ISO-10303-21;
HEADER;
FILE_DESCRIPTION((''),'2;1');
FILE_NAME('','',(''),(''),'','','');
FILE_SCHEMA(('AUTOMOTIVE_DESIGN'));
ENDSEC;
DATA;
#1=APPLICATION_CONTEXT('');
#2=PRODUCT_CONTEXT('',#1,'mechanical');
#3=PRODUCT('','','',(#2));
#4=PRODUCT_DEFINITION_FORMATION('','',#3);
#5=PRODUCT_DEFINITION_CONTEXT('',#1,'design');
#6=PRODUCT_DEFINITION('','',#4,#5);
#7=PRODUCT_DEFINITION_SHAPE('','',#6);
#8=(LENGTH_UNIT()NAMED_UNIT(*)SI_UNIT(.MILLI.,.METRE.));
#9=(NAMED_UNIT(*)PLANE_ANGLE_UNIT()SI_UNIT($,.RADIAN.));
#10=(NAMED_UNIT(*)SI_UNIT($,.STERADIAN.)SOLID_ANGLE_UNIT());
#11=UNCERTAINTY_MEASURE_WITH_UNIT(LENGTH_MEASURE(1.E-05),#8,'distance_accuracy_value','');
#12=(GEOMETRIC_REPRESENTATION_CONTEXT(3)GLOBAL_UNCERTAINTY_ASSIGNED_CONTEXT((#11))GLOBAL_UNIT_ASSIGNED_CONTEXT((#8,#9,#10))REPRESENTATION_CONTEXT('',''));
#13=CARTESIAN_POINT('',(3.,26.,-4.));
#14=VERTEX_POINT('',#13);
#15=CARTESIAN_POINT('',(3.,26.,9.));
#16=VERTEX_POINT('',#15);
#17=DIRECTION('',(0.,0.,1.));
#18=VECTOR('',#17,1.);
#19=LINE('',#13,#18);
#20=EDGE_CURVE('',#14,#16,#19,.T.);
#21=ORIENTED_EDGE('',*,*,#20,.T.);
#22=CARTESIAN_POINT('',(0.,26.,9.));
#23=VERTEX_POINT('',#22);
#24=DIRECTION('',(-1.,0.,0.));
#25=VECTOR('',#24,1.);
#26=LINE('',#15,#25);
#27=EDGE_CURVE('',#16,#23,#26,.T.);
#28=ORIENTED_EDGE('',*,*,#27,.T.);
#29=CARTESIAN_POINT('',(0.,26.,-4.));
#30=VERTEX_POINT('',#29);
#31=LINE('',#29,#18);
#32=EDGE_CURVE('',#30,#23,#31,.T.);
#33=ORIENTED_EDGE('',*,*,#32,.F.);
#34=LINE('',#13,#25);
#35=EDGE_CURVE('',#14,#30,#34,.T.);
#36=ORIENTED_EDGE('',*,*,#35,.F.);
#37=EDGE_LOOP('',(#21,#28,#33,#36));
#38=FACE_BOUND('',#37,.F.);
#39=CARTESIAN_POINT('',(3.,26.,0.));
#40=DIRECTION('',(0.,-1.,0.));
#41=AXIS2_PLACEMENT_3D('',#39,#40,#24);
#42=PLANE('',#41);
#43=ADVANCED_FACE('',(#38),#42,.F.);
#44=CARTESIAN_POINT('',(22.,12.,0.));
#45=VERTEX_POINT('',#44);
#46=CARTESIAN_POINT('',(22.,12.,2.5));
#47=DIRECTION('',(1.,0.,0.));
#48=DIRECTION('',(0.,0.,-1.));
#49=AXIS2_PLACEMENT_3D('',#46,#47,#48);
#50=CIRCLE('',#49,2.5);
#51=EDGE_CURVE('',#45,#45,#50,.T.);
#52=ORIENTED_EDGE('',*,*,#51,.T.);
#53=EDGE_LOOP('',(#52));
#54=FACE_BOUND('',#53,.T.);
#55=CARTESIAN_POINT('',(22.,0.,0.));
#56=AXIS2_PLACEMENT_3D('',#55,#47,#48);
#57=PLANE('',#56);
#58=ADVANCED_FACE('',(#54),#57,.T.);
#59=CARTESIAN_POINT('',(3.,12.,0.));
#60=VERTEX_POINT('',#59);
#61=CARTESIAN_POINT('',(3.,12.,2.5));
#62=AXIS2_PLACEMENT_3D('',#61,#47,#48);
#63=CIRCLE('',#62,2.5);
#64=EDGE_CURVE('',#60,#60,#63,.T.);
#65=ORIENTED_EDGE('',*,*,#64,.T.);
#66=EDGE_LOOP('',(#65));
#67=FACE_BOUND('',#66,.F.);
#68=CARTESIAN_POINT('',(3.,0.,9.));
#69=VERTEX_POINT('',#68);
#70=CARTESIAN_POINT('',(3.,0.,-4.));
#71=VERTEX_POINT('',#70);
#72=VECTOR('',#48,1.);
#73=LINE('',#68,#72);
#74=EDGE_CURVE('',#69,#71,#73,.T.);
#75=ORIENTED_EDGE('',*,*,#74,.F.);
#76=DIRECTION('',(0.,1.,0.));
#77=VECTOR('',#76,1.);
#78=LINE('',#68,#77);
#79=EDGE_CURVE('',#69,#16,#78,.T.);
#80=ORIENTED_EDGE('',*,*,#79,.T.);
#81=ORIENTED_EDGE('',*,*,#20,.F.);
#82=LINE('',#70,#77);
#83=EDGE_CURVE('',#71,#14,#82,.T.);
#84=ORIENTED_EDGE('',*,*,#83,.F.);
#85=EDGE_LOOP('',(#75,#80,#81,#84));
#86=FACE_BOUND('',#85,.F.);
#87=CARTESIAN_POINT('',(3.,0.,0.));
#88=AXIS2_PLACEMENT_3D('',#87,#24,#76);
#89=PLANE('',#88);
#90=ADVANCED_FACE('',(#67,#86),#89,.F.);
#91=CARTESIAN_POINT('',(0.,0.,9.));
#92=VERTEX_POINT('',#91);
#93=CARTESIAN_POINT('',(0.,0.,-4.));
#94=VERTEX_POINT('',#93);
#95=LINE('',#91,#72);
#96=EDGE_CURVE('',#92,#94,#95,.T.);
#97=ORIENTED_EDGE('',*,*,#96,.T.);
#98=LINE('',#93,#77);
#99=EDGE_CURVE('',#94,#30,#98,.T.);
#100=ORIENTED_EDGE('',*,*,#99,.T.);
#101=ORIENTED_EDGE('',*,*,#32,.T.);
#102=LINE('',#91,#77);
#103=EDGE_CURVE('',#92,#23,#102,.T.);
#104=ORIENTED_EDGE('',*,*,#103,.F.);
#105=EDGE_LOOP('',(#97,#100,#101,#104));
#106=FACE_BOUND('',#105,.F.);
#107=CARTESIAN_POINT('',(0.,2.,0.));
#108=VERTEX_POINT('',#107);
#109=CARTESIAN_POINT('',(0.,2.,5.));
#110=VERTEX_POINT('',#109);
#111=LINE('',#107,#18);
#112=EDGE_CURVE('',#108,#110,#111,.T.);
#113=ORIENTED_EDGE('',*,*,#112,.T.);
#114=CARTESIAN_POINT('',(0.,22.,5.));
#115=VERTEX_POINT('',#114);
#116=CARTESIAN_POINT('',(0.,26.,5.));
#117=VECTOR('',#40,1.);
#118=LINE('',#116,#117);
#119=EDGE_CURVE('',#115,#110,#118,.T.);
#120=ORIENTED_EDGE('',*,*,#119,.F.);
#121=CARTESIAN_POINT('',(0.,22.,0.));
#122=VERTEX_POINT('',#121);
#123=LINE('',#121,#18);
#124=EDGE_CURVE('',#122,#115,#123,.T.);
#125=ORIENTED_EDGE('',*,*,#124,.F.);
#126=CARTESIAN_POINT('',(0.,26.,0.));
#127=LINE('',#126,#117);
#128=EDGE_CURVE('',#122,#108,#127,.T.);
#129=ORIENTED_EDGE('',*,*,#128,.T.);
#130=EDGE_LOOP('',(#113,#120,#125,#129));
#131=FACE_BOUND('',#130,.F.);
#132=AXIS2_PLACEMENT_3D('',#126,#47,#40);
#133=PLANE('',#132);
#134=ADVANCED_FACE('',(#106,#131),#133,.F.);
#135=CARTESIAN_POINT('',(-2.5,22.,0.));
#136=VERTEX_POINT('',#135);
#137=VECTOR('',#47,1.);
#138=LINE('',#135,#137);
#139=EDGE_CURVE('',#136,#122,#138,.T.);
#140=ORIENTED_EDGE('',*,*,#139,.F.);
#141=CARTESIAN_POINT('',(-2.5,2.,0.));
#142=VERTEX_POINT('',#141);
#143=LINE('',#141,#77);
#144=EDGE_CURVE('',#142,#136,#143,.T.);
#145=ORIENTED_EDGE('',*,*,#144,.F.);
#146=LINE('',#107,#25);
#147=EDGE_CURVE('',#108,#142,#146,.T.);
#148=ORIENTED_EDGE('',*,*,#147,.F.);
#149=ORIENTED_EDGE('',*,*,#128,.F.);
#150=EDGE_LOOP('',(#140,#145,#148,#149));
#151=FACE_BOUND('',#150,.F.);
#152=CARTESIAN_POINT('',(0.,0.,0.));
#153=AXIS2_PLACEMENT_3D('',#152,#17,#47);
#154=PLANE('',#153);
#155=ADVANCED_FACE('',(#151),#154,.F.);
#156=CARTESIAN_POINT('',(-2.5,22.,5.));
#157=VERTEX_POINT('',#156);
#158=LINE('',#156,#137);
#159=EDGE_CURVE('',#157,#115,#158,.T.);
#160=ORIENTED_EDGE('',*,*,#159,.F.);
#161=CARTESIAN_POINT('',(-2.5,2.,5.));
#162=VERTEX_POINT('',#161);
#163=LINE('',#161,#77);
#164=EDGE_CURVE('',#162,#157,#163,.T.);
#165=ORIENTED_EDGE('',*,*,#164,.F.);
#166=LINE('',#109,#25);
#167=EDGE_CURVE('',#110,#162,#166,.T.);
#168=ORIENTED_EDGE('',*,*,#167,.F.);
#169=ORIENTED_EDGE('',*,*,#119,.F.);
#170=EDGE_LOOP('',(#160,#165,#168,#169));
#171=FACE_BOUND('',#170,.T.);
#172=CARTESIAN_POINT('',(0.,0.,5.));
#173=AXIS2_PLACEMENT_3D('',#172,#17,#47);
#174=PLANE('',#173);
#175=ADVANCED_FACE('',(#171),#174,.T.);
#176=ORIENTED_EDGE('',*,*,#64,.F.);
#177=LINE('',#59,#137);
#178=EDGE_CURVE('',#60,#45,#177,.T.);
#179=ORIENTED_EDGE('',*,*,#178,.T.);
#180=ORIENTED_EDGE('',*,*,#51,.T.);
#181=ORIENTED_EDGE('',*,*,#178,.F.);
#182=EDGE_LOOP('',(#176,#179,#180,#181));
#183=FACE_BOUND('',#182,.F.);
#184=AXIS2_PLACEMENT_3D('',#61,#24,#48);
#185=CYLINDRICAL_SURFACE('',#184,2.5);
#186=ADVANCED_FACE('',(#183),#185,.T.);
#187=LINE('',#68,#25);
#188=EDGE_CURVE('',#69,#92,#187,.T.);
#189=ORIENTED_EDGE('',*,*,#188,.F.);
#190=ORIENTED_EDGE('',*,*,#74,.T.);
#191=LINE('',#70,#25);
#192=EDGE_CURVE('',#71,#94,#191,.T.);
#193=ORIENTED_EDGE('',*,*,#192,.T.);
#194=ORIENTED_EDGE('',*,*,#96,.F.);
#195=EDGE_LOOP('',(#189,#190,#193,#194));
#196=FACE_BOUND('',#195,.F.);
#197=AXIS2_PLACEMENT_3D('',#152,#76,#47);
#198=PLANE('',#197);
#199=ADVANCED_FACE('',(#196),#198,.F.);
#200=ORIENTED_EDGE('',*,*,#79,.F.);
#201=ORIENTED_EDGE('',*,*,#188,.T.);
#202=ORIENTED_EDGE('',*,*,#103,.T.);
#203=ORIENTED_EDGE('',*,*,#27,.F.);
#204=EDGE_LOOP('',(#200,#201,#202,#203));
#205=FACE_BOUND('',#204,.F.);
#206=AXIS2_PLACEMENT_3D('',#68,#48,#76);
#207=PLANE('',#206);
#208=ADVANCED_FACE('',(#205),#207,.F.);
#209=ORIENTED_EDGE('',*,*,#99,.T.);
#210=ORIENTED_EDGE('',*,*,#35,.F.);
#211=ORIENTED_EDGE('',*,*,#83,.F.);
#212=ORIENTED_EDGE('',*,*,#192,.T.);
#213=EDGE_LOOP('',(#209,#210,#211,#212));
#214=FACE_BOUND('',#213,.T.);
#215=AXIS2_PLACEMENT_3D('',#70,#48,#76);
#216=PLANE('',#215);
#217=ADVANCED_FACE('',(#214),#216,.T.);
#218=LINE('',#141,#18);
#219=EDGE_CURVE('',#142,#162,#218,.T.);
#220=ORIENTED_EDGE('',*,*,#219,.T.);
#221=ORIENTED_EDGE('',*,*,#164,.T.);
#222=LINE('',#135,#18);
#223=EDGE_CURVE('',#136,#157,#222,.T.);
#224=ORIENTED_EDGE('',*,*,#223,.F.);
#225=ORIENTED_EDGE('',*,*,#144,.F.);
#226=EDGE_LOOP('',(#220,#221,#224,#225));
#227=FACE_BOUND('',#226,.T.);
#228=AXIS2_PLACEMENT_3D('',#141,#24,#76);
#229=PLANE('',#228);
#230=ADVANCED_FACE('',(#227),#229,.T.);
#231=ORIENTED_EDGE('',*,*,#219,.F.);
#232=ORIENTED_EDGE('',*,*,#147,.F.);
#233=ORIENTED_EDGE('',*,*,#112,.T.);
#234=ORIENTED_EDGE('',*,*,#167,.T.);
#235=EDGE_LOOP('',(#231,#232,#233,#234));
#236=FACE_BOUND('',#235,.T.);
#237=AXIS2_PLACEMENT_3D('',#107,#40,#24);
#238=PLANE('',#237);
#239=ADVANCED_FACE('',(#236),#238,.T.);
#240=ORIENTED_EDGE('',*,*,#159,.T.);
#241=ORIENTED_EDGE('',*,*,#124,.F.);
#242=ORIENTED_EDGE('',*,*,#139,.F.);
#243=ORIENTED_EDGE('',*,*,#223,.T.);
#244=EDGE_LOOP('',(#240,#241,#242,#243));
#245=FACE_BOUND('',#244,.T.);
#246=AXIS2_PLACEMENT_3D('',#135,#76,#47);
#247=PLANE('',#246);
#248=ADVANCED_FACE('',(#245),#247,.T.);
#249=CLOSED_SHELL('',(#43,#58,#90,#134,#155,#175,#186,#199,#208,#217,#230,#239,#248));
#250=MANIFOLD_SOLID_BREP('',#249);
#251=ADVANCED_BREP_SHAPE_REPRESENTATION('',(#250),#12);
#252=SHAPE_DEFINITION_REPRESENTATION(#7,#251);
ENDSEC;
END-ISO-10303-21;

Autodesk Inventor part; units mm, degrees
ref_plane "YZ Plane" through (0, 0, 0) normal (1, 0, 0) x (0, 1, 0)
ref_plane "XZ Plane" through (0, 0, 0) normal (0, 1, 0) x (-1, 0, 0)
ref_plane "XY Plane" through (0, 0, 0) normal (0, 0, 1) x (1, 0, 0)
sketch "Sketch1" plane through (0, 0, 0) normal (0, 0, 1) x (1, 0, 0)
  line L0 (0, 0) -> (3, 0)
  line L1 (3, 0) -> (3, 26)
  line L2 (3, 26) -> (0, 26)
  line L3 (0, 26) -> (0, 0)
  line L4 (-2.5, 22) -> (0, 22)
  line L5 (0, 22) -> (0, 2)
  line L6 (0, 2) -> (-2.5, 2)
  line L7 (-2.5, 2) -> (-2.5, 22)
  point P0 (-1.25, 2)
  point P1 (0, 22)
  dimension "d0" = 2.5
  dimension "d1" = 20
  dimension "d2" = 26
  dimension "d3" = 3
  dimension "d4" = 2
extrude "Extrusion1" add sketch "Sketch1" along normal blind 5
sketch "Sketch2" plane through (3, 0, 0) normal (1, 0, 0) x (0, 0, -1)
  circle A0 centre (-2.5, 12) radius 2.5
  line L0 (0, 0) -> (0, 26) projected
  line L1 (0, 26) -> (-5, 26) projected
  point P0 (-2.5, 26)
  dimension "d7" = 14
extrude "Extrusion2" add sketch "Sketch2" along normal blind 19
sketch "Sketch3" plane through (3, 26, 5) normal (1, 0, 0) x (0, 0, -1)
  line L0 (5, -26) -> (9, -26)
  line L1 (9, -26) -> (9, 0)
  line L2 (9, 0) -> (5, 0)
  line L3 (5, 0) -> (5, -26)
  line L4 (0, -26) -> (-4, -26)
  line L5 (-4, -26) -> (-4, 0)
  line L6 (-4, 0) -> (0, 0)
  line L7 (0, 0) -> (0, -26)
  dimension "d10" = 4
  dimension "d11" = 4
extrude "Extrusion3" add sketch "Sketch3" against normal blind 3
properties part number "contact_axis"
